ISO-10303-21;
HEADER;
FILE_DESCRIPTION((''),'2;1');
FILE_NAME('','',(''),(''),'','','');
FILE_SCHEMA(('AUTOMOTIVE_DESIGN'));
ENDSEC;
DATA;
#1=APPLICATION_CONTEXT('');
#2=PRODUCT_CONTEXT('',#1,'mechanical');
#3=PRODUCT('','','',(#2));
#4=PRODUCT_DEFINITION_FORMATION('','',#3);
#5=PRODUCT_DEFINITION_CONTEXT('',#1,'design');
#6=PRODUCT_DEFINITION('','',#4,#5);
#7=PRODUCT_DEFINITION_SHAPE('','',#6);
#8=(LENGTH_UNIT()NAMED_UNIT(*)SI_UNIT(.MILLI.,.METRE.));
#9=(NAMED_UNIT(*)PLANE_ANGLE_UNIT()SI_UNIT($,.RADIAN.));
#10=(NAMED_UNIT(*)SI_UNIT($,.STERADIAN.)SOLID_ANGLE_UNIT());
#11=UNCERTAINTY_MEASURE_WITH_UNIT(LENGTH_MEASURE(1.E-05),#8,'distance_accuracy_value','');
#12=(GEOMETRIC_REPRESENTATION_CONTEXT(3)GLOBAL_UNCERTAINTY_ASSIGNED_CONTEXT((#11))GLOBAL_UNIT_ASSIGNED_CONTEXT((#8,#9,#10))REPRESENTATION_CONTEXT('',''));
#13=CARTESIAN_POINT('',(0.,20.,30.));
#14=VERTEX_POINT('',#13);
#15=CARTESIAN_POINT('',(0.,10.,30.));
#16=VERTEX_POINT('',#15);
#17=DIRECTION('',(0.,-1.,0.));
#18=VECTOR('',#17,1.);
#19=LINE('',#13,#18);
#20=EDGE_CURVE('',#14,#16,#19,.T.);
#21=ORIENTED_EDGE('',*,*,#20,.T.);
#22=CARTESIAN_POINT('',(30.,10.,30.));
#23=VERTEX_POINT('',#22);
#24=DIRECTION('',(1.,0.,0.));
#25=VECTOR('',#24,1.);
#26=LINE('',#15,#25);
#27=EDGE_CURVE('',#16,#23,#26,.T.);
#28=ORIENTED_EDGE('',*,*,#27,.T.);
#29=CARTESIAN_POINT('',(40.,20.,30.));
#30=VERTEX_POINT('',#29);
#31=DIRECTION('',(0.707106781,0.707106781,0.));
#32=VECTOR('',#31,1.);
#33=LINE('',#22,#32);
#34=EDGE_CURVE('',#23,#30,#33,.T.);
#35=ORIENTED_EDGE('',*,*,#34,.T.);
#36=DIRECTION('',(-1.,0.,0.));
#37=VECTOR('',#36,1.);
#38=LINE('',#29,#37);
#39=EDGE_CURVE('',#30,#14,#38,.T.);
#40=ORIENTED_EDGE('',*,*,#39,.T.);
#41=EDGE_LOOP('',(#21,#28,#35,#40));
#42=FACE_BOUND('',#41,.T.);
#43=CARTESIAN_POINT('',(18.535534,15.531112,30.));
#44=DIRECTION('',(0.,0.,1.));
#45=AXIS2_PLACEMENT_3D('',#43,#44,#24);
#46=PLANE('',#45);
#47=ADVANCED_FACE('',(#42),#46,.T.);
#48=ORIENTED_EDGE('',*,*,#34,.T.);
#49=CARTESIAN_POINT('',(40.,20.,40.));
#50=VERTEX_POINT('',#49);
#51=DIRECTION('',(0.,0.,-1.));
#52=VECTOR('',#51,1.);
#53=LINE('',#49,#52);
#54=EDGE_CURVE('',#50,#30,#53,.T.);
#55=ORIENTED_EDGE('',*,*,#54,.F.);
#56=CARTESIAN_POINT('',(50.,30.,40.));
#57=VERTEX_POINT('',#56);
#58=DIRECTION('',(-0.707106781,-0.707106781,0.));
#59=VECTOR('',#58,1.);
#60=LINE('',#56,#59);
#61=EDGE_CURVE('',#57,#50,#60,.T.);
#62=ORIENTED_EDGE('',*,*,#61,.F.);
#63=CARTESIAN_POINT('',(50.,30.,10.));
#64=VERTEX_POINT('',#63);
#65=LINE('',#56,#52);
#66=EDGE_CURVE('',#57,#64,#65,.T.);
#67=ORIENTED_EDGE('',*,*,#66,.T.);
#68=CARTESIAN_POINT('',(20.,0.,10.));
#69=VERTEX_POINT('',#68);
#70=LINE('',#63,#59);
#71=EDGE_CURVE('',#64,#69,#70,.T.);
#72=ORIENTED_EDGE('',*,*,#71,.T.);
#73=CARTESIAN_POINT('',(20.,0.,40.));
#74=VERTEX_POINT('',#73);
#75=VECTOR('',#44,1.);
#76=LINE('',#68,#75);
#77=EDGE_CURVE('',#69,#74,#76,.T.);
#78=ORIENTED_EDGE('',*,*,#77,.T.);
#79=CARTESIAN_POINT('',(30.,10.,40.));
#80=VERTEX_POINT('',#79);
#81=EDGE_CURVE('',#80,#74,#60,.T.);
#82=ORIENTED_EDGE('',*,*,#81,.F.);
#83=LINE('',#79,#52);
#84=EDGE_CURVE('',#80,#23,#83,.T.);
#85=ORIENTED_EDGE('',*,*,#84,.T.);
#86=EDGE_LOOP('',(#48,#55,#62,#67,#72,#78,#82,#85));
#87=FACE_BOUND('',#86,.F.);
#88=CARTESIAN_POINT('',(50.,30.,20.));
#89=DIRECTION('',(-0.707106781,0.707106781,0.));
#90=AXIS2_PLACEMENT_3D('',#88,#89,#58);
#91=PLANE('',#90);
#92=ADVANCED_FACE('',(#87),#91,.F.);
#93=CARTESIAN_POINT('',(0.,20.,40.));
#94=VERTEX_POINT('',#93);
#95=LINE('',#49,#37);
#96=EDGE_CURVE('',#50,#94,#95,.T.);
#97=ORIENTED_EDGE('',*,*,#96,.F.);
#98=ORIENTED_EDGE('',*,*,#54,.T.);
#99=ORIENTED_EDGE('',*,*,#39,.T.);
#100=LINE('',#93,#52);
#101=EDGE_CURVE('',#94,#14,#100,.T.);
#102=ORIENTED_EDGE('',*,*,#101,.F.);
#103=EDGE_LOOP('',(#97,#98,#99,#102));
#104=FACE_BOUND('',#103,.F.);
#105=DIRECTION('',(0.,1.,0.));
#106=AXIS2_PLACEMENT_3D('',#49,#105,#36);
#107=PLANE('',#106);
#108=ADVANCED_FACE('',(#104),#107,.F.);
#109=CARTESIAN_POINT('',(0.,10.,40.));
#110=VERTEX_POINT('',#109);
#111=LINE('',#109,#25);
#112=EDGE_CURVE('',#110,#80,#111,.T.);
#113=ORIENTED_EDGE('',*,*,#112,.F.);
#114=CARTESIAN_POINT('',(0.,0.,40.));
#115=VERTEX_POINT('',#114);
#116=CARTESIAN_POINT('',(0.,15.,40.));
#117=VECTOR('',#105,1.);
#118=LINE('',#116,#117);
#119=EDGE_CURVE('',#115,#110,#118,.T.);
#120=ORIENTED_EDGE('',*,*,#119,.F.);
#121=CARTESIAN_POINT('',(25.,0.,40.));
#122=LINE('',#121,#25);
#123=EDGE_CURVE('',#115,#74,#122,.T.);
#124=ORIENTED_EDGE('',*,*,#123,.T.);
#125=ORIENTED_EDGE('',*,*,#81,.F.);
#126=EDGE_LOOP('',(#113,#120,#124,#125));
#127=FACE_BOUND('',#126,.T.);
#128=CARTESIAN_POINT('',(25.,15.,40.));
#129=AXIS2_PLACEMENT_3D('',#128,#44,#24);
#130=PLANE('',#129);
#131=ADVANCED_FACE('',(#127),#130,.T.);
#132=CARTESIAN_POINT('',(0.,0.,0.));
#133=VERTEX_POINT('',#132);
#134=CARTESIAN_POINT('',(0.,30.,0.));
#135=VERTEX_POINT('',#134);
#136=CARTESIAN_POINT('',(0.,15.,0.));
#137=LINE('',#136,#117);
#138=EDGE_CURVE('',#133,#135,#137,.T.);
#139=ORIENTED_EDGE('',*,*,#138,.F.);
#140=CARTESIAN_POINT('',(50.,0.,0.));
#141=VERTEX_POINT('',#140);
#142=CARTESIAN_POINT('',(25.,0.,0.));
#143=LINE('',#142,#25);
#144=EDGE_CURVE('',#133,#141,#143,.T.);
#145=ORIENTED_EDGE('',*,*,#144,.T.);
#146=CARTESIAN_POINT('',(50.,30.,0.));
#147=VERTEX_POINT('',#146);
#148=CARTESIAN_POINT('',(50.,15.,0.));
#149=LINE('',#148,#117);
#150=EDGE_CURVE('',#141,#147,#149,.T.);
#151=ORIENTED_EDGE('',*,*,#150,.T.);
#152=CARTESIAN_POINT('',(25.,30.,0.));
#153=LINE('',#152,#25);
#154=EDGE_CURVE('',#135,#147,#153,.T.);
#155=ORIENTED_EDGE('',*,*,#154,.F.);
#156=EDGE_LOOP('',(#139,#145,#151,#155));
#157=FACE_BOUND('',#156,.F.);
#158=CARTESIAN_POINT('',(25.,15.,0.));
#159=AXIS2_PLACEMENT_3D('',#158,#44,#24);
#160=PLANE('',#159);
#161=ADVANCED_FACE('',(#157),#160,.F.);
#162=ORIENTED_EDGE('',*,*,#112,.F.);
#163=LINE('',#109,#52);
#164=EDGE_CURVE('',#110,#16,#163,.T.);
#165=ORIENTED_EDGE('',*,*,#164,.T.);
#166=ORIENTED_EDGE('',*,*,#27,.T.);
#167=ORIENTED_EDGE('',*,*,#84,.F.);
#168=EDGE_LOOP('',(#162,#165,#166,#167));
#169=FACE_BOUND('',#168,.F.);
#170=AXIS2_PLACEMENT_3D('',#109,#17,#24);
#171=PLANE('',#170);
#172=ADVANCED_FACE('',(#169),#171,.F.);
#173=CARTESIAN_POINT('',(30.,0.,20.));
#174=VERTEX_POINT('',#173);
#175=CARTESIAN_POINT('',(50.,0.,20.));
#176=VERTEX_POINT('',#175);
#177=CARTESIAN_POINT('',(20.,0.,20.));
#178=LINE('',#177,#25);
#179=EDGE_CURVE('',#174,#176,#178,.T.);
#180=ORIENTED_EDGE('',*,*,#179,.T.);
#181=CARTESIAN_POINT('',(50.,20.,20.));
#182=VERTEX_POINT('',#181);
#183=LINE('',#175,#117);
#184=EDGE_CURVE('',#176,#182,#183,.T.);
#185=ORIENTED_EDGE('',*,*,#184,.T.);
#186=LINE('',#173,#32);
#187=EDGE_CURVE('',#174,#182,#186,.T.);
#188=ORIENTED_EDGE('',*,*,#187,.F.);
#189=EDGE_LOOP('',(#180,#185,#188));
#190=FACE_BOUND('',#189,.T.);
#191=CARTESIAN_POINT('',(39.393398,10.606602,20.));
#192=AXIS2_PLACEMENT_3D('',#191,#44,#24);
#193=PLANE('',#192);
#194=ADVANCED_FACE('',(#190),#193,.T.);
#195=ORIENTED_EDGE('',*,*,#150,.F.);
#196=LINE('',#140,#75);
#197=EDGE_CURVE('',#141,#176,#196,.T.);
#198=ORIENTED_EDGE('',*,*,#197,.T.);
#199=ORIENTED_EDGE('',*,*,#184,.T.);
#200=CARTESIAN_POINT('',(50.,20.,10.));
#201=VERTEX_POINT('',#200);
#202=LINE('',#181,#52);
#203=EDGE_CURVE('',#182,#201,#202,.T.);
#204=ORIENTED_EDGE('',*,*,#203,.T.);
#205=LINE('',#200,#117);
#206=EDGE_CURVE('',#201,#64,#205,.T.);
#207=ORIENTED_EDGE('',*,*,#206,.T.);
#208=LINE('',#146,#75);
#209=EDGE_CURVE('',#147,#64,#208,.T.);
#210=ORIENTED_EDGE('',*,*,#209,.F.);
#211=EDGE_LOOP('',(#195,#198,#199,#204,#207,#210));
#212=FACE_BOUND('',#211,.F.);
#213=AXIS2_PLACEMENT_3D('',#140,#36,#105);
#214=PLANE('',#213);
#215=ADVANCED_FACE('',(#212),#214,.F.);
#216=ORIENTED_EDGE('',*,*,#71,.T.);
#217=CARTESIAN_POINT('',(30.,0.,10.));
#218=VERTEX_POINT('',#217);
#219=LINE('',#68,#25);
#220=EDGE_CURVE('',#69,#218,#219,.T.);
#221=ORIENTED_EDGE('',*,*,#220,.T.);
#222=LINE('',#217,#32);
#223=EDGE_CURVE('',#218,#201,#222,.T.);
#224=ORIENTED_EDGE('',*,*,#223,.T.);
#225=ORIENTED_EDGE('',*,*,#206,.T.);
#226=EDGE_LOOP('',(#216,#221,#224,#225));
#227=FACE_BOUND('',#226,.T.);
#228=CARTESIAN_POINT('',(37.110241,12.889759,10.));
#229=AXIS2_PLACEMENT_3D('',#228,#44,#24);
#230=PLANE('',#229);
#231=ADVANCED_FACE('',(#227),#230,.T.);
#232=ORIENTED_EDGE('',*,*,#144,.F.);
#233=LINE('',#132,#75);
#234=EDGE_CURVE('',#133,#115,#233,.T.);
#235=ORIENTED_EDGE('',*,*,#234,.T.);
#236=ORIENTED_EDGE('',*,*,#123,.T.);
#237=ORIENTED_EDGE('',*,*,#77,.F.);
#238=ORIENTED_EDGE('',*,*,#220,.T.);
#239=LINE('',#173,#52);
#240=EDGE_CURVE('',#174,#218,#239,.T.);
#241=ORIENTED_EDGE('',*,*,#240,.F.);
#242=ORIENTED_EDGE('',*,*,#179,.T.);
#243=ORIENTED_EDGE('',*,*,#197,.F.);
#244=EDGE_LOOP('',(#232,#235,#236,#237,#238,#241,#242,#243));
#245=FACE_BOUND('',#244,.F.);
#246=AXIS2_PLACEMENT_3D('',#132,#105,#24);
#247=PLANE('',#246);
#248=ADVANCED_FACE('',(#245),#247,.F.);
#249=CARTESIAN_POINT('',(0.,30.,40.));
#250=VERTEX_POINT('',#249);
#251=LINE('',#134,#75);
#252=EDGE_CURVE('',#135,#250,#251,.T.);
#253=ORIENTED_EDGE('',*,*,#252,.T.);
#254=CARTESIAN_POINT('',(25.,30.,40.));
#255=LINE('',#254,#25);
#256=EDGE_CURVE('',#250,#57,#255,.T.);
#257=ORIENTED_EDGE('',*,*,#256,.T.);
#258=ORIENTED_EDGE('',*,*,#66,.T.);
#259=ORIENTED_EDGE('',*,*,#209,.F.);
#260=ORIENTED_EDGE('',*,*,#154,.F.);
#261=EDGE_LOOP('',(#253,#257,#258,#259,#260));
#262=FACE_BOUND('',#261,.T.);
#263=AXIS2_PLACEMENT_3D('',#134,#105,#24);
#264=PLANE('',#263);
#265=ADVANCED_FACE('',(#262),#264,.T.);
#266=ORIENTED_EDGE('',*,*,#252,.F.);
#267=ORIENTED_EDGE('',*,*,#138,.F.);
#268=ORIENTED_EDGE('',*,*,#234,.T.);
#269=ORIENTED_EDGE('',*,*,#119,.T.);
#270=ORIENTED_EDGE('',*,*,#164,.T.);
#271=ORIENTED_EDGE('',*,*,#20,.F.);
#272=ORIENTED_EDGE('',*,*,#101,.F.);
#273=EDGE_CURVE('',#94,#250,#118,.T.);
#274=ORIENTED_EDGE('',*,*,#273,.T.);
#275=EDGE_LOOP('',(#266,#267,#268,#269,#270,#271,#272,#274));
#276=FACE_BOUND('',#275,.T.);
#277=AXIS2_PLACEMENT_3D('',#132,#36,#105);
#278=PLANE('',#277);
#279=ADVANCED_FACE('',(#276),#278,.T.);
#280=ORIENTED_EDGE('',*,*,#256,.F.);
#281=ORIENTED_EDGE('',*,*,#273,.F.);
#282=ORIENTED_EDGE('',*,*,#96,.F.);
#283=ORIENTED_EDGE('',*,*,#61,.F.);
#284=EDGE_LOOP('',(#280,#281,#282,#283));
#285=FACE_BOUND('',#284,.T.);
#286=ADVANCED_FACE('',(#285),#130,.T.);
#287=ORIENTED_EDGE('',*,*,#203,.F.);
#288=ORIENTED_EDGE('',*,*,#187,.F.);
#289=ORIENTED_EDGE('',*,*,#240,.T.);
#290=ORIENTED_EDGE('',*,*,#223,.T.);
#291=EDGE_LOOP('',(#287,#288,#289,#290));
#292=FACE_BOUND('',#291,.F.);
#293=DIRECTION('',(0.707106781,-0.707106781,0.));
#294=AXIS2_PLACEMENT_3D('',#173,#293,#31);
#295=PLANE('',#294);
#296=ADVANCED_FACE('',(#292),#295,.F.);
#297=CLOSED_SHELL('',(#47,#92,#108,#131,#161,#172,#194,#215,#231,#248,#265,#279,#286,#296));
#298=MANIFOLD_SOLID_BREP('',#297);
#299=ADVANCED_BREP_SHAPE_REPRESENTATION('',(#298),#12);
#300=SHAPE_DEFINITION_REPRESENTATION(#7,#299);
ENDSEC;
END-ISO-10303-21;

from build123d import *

# Parameters (mm, degrees)
F0_W     = 50
F0_H     = 30
F1_DEPTH = 40
F3_DEPTH = 20
F5_DEPTH = 10
F7_DEPTH = 10


with BuildPart() as f1:
    # F0 (on Top) → F1 (new body)
    with BuildSketch(Plane.XY):
        with Locations((25, 15)):
            Rectangle(F0_W, F0_H)
    extrude(amount=F1_DEPTH)

    # F2 (on face) → F3 (cut)
    with BuildSketch(Plane.XY.offset(40)):
        Polygon((50, 0), (50, 30), (20, 0), align=None)
    extrude(amount=-F3_DEPTH, mode=Mode.SUBTRACT)

    # F4 (on face) → F5 (cut)
    with BuildSketch(Plane.XY.offset(20)):
        Polygon((50, 20), (50, 30), (20, 0), (30, 0), align=None)
    extrude(amount=-F5_DEPTH, mode=Mode.SUBTRACT)

    # F6 (on face) → F7 (cut)
    with BuildSketch(Plane.XY.offset(40)):
        Polygon((0, 20), (0, 10), (30, 10), (40, 20), align=None)
    extrude(amount=-F7_DEPTH, mode=Mode.SUBTRACT)


solid = f1.part
